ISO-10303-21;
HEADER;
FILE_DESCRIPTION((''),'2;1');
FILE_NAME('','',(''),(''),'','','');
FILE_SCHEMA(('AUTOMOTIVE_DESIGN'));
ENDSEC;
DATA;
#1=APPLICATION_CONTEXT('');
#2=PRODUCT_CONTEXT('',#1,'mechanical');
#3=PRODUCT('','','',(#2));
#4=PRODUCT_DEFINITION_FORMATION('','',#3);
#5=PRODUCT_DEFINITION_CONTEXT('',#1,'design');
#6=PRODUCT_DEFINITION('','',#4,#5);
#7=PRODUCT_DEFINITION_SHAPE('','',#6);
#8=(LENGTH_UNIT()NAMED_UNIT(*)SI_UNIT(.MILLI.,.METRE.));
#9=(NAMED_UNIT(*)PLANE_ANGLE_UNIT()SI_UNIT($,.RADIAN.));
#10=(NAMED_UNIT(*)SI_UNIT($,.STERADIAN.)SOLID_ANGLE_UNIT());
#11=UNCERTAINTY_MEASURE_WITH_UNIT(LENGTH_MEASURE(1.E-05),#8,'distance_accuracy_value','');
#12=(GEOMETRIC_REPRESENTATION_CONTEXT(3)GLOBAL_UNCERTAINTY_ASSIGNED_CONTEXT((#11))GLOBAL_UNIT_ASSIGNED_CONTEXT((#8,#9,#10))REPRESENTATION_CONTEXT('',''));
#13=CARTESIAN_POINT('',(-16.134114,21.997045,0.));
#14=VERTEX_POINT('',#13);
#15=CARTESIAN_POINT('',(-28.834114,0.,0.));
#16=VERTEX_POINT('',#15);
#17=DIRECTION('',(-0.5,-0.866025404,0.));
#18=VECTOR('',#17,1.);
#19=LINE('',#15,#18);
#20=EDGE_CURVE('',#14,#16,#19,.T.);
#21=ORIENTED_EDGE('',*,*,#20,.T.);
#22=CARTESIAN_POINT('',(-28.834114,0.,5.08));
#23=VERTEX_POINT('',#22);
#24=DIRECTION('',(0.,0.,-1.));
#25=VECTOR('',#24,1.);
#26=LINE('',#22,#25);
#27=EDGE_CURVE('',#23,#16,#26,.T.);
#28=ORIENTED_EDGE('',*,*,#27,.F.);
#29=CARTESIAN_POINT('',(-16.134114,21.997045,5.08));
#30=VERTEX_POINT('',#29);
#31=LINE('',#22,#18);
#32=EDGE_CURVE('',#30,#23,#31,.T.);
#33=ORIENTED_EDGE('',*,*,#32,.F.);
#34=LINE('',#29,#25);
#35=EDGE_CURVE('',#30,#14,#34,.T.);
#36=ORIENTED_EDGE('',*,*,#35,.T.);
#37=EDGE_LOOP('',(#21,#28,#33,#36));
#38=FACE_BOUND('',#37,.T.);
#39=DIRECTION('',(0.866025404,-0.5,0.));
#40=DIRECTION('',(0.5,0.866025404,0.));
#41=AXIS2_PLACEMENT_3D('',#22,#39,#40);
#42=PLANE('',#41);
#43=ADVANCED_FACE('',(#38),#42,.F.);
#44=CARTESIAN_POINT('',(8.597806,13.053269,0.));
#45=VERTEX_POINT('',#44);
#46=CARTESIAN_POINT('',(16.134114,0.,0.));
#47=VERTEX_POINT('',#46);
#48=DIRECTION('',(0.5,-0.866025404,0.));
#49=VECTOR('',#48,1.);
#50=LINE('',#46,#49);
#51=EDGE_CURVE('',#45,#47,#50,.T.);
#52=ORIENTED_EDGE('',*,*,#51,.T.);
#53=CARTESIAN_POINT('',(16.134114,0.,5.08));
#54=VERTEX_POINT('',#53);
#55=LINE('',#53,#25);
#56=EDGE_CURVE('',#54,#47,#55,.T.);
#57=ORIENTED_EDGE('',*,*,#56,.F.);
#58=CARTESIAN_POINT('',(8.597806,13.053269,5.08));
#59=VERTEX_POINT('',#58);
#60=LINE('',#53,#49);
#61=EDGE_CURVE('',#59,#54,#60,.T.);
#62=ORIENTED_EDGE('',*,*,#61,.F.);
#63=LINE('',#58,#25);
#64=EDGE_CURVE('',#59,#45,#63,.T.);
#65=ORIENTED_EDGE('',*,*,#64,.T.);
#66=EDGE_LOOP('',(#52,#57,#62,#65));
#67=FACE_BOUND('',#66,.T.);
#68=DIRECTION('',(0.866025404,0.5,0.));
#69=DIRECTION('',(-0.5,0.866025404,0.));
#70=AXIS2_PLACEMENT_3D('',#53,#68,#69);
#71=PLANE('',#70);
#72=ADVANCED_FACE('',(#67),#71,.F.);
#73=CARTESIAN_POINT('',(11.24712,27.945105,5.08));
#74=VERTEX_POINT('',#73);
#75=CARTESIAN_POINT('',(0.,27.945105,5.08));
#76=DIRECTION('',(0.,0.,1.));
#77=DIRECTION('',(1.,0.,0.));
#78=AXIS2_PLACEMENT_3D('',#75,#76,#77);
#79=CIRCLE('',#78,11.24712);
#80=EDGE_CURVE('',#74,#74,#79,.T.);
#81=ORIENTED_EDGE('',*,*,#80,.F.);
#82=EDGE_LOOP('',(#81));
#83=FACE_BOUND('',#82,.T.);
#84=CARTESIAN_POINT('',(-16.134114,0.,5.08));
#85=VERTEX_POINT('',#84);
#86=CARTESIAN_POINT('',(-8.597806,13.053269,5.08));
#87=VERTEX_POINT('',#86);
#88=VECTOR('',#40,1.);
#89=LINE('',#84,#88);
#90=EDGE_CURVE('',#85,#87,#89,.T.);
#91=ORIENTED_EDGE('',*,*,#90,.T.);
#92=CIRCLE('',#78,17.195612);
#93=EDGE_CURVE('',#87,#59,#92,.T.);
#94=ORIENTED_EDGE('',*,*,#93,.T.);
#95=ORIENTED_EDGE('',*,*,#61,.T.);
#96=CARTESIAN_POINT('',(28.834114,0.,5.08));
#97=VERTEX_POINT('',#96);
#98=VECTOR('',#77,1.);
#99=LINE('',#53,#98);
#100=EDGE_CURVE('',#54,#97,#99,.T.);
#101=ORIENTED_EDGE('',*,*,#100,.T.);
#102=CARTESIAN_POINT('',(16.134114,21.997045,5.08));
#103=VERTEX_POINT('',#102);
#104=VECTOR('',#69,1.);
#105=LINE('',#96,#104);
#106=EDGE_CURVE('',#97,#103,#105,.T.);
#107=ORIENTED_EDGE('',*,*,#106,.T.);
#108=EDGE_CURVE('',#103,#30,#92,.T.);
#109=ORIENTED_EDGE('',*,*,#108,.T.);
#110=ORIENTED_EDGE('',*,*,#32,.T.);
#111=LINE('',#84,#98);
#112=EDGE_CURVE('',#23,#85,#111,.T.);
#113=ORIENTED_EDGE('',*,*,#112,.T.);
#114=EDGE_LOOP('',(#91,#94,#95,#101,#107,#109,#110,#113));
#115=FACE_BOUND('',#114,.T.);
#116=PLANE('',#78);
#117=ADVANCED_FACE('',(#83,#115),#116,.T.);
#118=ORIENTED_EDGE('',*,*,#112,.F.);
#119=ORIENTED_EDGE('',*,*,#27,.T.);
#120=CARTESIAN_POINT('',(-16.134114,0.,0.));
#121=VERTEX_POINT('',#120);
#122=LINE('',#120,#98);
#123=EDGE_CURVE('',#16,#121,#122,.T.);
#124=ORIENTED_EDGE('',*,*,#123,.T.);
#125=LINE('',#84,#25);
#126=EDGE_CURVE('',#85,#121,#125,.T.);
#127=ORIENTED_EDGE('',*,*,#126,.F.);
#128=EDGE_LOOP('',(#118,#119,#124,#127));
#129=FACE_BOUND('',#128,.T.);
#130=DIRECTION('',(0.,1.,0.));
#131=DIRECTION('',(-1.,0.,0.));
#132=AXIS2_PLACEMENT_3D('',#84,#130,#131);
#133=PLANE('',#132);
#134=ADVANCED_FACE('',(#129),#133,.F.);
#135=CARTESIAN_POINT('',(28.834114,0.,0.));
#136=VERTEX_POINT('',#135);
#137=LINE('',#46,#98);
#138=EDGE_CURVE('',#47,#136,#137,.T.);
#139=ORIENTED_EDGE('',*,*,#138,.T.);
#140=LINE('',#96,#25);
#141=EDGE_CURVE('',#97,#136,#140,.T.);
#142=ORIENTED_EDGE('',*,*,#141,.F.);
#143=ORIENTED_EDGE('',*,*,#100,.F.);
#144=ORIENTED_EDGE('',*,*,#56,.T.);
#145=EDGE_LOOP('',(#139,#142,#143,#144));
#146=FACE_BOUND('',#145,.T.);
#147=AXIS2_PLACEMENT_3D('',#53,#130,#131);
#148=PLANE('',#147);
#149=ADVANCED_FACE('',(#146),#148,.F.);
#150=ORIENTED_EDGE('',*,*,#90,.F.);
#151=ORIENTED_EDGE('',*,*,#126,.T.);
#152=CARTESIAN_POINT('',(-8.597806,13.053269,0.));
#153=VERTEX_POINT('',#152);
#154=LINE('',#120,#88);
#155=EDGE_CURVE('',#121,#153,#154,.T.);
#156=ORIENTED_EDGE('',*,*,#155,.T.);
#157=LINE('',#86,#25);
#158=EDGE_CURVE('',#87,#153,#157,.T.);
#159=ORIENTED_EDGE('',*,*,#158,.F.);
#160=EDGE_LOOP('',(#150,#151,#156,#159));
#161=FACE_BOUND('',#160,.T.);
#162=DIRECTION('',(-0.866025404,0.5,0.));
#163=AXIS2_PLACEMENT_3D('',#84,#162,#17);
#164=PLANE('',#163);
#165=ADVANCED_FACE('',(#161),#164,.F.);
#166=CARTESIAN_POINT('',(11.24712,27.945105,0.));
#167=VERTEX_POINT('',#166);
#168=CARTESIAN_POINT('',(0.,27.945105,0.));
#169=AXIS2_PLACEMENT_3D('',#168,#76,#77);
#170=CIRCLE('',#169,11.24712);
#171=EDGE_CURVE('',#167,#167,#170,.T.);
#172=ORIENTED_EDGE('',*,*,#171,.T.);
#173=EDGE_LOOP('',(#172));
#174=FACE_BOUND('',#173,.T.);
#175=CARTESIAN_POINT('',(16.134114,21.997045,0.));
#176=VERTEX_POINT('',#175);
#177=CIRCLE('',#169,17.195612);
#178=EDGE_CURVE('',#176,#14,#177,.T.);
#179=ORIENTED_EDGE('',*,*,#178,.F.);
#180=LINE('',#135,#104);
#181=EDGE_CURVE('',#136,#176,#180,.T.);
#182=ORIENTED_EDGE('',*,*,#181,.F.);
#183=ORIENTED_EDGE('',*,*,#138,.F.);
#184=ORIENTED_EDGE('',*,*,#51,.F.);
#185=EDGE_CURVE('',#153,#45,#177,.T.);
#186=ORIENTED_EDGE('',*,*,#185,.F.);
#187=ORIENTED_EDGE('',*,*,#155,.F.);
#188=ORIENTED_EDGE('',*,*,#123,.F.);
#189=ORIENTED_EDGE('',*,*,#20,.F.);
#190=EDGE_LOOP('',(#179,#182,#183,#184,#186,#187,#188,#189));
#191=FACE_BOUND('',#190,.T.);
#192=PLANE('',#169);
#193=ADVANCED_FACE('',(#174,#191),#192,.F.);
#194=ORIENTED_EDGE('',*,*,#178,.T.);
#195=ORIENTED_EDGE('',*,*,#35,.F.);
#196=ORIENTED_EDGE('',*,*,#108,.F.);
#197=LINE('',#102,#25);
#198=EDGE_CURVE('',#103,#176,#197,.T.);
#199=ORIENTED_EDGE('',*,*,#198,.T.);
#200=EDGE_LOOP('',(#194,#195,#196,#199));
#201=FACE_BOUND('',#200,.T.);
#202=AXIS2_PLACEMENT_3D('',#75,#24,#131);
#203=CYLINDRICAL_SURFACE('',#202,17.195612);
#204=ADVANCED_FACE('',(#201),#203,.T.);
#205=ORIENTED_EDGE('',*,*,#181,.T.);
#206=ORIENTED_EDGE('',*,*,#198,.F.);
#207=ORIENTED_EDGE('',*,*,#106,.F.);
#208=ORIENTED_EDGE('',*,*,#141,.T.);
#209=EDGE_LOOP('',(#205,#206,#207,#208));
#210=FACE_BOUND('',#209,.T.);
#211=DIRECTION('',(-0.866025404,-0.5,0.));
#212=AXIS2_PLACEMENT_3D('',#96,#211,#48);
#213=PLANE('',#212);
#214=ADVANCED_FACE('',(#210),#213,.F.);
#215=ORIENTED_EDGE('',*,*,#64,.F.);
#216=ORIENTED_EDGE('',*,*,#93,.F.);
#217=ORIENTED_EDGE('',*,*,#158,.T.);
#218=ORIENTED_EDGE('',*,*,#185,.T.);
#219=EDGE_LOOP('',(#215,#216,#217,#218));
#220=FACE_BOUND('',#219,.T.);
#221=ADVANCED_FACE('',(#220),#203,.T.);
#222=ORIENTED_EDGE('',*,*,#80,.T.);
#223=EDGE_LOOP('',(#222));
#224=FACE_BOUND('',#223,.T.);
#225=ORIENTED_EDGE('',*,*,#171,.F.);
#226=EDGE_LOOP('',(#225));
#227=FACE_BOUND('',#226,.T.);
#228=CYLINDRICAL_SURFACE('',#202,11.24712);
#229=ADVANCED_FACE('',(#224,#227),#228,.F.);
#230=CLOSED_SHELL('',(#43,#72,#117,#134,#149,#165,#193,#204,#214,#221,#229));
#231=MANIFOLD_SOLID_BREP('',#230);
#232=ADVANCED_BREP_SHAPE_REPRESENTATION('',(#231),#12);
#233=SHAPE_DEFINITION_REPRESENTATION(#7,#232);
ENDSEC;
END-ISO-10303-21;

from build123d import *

# Parameters (mm, degrees)
SKETCH1_R           = 11.24712
BOSS_EXTRUDE2_DEPTH = 5.08


with BuildPart() as part:
    # Sketch1 → Boss-Extrude2 (new body)
    with BuildSketch(Plane.XY):
        with BuildLine():
            Line((-16.134114125, 0), (-8.597805797, 13.053268926))
            ThreePointArc((-8.597805797, 13.053268926), (0, 10.749493806), (8.597805797, 13.053268926))
            Line((8.597805797, 13.053268926), (16.134114125, 0))
            Line((16.134114125, 0), (28.834114125, 0))
            Line((28.834114125, 0), (16.134114125, 21.997045256))
            ThreePointArc((16.134114125, 21.997045256), (0, 45.140716994), (-16.134114125, 21.997045256))
            Line((-16.134114125, 21.997045256), (-28.834114125, 0))
            Line((-28.834114125, 0), (-16.134114125, 0))
        make_face()
        with Locations((0, 27.9451054)):
            Circle(SKETCH1_R, mode=Mode.SUBTRACT)
    extrude(amount=BOSS_EXTRUDE2_DEPTH)


solid = part.part
